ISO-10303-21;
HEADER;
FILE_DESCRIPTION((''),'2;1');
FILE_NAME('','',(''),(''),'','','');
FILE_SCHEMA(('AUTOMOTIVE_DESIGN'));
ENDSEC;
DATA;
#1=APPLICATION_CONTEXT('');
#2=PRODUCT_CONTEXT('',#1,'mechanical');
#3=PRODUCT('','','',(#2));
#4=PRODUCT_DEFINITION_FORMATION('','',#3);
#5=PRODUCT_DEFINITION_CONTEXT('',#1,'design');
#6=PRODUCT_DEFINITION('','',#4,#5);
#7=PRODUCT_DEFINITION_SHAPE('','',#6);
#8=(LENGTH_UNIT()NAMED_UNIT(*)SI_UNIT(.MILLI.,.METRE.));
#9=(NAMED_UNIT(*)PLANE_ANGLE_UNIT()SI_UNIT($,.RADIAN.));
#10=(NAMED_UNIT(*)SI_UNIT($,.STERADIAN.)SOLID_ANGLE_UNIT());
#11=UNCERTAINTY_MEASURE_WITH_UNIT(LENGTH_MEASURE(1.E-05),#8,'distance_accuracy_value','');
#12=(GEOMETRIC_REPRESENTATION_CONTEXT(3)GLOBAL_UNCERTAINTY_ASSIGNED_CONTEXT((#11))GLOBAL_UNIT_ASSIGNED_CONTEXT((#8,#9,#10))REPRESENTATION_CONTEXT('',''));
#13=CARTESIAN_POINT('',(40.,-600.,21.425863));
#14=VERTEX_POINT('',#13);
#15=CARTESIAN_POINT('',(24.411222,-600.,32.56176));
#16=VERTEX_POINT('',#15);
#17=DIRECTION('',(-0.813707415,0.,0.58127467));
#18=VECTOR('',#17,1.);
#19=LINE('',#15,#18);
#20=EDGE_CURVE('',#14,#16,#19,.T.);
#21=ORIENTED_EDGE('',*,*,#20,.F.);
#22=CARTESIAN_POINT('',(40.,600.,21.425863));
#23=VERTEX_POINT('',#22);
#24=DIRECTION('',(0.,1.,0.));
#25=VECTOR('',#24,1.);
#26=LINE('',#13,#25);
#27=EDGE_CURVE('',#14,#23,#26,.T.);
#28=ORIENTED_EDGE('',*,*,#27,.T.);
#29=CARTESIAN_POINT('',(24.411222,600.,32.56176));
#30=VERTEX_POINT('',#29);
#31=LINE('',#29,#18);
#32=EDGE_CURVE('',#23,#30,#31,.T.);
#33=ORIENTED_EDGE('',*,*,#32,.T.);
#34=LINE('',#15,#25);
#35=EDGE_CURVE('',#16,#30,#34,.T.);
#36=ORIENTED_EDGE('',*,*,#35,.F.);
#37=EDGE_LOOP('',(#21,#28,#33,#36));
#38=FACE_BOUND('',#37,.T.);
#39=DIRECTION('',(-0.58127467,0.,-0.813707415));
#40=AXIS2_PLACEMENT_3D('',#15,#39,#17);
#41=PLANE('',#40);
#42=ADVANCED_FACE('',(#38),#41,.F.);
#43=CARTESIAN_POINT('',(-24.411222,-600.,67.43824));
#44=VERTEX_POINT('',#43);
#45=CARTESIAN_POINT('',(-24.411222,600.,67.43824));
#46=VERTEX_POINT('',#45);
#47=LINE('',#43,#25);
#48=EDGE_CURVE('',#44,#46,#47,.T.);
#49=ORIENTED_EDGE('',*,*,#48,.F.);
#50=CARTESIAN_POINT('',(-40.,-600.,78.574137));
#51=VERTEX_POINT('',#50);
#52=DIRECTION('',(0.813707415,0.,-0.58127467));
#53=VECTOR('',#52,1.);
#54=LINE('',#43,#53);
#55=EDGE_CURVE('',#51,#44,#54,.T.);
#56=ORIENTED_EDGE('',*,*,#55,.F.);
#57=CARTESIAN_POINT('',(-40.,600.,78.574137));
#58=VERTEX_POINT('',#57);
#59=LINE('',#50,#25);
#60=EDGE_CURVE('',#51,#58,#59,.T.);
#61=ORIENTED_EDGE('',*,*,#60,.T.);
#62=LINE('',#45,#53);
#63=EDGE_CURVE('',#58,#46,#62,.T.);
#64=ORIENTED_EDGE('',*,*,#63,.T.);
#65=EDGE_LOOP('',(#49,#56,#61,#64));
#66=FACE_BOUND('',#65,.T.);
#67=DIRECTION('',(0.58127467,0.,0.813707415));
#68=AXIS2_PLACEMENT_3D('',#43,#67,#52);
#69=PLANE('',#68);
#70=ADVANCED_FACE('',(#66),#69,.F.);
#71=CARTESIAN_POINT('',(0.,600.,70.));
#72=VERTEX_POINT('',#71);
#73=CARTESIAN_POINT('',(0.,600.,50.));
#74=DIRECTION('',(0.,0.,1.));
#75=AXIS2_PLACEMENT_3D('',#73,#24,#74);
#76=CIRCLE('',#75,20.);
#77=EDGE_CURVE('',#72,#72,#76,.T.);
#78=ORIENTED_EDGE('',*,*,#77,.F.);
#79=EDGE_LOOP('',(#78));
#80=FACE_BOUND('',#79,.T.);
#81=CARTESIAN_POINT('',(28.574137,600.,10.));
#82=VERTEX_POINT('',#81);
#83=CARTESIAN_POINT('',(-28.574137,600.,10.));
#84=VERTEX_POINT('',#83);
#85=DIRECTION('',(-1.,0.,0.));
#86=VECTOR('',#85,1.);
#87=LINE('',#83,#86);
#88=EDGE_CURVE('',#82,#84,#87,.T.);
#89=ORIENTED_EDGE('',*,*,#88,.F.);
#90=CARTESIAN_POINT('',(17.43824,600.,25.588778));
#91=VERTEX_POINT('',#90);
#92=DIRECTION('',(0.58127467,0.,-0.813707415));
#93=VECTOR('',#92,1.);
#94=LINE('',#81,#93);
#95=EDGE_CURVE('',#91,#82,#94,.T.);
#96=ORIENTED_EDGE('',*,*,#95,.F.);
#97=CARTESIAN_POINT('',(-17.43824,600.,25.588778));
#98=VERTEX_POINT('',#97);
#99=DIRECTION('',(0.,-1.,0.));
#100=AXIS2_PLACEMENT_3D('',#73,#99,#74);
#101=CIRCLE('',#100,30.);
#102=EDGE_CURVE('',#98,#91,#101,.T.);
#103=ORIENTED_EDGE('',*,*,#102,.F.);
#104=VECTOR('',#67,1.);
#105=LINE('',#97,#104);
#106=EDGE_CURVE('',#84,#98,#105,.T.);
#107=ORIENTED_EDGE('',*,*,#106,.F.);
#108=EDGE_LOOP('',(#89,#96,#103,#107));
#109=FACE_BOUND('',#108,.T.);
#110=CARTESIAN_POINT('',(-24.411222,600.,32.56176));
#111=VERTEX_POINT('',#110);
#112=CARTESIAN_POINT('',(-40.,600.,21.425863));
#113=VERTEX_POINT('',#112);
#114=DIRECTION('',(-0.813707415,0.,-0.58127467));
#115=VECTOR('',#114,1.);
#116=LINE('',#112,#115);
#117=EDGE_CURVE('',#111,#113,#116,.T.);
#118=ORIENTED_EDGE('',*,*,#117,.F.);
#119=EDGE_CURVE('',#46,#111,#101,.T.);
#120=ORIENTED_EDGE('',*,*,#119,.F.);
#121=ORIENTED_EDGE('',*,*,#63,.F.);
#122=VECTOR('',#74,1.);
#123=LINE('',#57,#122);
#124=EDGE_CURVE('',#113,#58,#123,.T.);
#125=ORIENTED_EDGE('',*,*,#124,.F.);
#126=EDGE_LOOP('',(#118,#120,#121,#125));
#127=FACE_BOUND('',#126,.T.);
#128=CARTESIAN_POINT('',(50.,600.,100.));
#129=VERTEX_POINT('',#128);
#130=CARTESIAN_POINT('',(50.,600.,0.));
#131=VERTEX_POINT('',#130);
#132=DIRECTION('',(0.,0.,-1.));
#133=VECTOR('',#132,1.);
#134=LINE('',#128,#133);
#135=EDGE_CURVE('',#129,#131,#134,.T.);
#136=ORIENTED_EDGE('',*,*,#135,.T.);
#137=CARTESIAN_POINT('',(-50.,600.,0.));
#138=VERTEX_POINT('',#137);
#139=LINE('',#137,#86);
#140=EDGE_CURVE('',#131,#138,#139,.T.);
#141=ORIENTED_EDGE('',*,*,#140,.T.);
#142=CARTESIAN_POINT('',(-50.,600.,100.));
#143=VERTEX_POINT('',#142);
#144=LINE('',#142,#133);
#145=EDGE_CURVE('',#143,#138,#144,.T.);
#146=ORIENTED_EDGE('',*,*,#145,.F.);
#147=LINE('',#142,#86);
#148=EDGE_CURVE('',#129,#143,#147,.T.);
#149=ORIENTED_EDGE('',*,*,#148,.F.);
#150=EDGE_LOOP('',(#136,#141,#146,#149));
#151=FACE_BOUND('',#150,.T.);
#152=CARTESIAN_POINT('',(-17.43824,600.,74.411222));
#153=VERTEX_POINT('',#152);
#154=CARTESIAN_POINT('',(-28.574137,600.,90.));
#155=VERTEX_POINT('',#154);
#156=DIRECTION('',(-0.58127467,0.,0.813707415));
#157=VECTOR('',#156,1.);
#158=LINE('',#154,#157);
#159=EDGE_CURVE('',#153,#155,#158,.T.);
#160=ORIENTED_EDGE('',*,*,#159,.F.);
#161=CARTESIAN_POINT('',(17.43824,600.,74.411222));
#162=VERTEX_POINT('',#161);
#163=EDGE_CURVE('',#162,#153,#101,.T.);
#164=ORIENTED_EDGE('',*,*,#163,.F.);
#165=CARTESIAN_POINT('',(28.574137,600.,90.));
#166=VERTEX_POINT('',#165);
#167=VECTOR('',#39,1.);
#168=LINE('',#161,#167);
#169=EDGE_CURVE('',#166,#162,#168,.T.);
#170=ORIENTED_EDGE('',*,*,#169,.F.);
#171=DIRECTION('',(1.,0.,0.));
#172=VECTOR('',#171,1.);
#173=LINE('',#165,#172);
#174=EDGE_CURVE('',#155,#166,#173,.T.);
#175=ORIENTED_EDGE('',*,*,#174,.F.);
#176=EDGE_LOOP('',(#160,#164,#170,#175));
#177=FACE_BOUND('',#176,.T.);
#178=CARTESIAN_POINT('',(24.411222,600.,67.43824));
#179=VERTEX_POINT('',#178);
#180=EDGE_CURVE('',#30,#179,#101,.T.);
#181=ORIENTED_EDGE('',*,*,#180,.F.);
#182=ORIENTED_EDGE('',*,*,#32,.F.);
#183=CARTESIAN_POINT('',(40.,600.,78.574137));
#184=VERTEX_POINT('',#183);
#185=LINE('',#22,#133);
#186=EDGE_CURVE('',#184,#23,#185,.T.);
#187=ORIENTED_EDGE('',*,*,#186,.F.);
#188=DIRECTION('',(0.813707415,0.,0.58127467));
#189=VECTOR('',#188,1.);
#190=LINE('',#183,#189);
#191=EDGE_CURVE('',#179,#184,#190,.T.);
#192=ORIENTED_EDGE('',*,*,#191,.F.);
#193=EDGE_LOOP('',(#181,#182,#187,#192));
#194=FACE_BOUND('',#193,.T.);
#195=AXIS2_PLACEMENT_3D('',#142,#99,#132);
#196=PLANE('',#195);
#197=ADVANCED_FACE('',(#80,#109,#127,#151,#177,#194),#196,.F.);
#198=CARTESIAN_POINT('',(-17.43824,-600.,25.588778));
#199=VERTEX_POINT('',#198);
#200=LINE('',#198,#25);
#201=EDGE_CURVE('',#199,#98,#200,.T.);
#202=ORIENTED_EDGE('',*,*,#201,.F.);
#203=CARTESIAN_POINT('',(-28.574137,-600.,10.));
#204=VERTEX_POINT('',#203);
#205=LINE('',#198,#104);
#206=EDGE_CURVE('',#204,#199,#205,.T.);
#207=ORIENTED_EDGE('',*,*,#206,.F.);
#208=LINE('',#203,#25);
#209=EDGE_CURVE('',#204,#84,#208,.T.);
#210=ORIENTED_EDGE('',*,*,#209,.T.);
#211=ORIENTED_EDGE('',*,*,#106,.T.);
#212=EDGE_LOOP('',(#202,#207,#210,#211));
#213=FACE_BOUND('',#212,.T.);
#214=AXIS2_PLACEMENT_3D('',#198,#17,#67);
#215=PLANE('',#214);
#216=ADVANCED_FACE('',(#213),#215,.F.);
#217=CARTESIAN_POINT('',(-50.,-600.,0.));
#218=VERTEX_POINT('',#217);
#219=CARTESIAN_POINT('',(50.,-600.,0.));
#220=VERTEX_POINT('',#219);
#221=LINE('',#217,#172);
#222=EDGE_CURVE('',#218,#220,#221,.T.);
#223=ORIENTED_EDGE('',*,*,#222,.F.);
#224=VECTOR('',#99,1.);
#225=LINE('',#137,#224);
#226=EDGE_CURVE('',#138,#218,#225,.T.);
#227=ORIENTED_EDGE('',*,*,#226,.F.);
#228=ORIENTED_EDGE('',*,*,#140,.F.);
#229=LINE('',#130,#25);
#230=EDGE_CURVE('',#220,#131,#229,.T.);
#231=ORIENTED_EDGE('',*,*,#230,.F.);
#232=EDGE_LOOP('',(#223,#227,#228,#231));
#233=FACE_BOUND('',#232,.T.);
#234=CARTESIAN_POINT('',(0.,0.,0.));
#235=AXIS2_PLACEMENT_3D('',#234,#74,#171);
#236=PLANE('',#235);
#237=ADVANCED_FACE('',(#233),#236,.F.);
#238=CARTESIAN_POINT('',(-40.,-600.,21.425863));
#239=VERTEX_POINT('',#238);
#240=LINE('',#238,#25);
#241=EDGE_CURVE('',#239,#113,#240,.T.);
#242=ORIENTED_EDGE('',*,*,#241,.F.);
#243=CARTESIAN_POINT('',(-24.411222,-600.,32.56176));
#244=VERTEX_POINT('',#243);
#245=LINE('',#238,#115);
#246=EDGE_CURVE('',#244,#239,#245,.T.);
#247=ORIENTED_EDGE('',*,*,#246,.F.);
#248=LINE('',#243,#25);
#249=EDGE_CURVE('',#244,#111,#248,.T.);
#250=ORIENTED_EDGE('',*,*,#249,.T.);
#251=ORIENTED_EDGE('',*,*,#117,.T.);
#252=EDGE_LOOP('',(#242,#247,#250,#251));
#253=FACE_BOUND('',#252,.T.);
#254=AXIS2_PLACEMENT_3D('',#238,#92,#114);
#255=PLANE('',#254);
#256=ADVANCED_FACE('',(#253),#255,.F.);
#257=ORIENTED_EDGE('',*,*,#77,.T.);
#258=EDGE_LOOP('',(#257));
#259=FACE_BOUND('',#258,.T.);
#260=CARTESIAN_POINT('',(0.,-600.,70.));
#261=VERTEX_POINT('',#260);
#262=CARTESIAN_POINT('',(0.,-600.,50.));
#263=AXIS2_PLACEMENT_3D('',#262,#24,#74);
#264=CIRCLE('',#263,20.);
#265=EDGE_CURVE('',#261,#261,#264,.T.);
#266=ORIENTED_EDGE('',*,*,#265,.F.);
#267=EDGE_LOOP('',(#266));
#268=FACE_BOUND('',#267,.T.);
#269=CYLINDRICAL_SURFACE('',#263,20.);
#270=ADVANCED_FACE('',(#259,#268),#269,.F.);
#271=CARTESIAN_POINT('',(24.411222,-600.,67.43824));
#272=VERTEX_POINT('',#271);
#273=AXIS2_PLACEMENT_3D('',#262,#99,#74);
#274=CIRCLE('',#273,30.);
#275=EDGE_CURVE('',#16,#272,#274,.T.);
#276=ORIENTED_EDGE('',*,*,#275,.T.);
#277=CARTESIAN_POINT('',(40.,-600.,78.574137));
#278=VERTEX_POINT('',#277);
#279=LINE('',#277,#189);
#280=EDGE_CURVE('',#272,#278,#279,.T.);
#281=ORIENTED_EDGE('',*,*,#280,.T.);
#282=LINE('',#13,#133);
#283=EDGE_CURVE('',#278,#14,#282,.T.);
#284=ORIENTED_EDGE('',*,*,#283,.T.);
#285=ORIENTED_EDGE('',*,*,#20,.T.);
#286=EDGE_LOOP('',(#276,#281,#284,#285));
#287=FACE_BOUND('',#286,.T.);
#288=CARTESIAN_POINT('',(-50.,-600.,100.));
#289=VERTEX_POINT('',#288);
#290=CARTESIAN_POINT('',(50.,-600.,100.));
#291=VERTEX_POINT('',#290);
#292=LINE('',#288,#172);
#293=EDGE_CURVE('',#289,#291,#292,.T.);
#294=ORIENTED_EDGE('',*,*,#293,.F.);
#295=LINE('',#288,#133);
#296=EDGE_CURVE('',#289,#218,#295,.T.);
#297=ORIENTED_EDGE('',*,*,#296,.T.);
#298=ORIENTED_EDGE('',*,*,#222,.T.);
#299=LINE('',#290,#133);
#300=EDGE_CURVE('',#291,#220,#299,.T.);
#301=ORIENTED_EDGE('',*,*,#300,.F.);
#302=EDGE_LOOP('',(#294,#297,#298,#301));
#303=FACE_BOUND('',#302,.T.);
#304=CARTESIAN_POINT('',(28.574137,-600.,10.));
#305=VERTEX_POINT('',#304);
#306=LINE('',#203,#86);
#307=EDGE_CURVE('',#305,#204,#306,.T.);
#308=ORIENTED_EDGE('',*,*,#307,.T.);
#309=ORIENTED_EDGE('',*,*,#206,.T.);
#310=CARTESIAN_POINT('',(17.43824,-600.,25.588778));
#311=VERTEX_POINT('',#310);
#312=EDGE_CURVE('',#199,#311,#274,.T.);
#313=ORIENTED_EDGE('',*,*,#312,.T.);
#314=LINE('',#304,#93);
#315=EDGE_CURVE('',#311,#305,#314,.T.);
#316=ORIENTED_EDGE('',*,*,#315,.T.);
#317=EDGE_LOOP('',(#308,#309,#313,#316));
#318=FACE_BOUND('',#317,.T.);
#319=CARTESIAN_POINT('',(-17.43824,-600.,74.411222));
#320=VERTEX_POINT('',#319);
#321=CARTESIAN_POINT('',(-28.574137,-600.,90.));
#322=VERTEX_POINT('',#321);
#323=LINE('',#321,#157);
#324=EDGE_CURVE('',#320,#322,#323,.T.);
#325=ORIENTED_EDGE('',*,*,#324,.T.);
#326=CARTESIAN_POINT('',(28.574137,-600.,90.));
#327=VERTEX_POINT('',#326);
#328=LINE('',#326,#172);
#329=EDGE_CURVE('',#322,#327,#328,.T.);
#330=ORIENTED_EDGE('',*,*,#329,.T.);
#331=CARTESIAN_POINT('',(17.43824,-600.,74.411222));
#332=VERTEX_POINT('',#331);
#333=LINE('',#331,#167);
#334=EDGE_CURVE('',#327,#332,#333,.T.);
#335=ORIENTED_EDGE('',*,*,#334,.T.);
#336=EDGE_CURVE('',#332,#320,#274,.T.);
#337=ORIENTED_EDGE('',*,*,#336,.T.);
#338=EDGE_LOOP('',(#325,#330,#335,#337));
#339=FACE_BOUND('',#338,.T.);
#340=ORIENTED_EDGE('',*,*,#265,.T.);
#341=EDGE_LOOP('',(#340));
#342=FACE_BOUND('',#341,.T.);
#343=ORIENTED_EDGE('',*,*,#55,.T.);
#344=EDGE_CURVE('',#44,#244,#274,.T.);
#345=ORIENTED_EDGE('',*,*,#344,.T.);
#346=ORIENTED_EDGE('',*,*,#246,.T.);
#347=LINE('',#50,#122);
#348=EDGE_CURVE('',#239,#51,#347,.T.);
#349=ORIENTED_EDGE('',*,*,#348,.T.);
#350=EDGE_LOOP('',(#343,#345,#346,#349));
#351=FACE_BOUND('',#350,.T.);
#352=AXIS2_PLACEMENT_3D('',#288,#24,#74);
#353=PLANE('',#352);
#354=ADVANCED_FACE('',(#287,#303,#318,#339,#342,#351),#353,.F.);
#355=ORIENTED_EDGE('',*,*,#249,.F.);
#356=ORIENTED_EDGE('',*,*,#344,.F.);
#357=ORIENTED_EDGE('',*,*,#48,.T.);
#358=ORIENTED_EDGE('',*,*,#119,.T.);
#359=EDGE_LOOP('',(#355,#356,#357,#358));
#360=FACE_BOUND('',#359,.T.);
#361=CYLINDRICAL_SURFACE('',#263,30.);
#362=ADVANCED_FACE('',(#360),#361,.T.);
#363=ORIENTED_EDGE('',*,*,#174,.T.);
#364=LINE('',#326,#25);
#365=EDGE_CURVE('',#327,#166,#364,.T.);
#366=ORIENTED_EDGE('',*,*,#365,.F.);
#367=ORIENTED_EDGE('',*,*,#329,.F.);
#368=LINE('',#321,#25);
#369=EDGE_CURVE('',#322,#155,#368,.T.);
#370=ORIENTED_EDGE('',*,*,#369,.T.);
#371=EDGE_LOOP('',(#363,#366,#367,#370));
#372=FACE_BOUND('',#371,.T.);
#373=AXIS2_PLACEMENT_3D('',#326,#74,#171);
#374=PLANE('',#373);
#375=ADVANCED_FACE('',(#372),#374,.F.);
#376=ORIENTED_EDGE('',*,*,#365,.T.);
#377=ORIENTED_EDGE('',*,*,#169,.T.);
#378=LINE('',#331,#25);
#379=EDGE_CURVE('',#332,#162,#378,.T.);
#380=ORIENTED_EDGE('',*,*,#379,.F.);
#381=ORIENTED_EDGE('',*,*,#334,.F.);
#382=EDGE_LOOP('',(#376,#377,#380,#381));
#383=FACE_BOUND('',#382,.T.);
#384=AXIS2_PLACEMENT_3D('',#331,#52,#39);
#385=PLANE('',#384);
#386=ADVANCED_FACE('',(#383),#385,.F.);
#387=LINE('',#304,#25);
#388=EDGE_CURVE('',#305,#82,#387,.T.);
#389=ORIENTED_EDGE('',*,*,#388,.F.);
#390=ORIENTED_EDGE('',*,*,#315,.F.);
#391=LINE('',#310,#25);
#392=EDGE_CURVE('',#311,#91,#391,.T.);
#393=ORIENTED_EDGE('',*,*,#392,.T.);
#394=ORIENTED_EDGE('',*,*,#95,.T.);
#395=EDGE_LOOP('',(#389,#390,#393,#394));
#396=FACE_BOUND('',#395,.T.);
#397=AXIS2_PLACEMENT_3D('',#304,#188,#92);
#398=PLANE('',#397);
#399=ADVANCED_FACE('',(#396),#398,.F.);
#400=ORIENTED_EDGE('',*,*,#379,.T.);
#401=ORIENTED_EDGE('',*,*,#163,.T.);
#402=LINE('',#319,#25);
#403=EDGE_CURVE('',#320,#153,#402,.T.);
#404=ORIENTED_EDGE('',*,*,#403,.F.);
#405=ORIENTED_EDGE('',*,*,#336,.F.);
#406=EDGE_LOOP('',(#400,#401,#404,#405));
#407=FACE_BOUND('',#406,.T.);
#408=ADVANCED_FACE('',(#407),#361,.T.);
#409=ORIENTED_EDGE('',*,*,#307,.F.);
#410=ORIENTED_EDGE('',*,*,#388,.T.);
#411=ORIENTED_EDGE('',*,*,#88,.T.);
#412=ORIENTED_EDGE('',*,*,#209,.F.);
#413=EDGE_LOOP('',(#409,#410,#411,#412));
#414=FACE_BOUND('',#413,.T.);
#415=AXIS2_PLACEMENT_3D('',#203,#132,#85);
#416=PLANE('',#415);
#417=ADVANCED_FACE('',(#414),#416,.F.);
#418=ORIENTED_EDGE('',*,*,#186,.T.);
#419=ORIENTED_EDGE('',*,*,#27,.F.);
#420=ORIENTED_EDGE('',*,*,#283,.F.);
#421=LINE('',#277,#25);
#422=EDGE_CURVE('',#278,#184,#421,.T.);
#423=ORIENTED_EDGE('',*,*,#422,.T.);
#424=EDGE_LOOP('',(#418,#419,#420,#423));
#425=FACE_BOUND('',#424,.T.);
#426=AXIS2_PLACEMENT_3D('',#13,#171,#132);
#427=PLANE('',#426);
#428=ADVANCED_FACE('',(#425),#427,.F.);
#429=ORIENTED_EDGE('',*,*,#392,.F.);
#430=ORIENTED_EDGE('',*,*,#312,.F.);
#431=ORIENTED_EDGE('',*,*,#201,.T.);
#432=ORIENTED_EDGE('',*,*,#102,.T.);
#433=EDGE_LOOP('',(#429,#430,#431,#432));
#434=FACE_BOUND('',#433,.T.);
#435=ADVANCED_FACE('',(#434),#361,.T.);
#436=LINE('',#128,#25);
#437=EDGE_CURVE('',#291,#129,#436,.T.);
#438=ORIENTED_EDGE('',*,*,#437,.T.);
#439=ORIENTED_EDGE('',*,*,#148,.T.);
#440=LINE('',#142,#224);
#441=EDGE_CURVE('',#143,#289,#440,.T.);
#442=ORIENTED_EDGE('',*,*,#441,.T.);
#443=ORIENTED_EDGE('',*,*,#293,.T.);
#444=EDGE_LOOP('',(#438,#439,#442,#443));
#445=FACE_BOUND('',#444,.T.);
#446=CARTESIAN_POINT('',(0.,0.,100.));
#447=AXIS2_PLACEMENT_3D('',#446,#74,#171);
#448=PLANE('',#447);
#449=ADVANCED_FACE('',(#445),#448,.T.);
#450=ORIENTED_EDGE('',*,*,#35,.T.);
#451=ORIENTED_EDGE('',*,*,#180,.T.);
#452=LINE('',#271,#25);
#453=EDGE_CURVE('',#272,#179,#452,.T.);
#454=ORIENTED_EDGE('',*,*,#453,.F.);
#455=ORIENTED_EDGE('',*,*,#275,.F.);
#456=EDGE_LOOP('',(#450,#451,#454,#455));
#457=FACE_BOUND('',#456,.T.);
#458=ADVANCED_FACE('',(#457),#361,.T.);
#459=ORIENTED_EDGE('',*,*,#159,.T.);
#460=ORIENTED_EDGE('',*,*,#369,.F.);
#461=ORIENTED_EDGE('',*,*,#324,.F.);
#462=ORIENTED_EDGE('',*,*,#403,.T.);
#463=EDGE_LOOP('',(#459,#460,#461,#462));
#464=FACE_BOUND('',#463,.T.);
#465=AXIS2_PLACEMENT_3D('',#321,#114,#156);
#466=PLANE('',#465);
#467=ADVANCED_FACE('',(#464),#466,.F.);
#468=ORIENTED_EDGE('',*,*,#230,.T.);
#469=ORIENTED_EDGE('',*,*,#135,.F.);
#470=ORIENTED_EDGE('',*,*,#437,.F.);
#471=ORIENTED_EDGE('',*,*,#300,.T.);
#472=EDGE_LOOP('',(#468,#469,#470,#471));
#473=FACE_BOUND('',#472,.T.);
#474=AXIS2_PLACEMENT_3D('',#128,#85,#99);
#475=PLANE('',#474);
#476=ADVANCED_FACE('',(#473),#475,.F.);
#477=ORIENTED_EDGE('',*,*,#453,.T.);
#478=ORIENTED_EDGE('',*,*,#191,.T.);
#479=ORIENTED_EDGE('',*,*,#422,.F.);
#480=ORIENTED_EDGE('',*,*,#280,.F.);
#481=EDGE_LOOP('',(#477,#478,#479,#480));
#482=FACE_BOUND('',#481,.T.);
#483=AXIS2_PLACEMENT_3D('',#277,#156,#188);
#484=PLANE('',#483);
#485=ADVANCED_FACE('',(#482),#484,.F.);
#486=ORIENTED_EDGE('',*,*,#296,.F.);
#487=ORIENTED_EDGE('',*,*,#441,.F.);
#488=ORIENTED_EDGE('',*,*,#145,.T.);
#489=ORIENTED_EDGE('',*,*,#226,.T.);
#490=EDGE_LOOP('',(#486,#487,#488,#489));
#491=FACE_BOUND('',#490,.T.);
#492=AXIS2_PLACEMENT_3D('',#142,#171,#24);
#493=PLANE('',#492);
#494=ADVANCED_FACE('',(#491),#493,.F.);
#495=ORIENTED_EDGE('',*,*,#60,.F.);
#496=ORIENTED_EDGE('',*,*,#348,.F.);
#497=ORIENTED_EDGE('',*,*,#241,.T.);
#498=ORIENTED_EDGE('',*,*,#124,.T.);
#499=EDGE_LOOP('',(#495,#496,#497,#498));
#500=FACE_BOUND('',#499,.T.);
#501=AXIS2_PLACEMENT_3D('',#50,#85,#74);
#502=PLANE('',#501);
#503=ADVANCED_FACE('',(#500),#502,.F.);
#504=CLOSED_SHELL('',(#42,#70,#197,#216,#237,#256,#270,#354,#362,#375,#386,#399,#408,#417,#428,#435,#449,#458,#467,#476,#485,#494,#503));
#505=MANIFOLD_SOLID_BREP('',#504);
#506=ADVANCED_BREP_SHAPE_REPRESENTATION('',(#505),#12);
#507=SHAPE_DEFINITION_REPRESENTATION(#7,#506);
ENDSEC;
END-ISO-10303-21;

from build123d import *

# Parameters (mm, degrees)
SKETCH1_W           = 100
SKETCH1_H           = 1200
BOSS_EXTRUDE1_DEPTH = 100
SKETCH3_R           = 20
CUT_EXTRUDE1_DEPTH  = 1206.197079319


with BuildPart() as part:
    # Sketch1 → Boss-Extrude1 (new body)
    with BuildSketch(Plane.XY):
        Rectangle(SKETCH1_W, SKETCH1_H)
    extrude(amount=BOSS_EXTRUDE1_DEPTH)

    # Sketch3 → Cut-Extrude1 (cut, through all)
    with BuildSketch(Plane(origin=(0, 600, 0), x_dir=(1, 0, 0), z_dir=(0, 1, 0))):
        with Locations(Location((0, -50, 0), (0, 0, 270))):
            Circle(SKETCH3_R)
        with BuildLine():
            Line((-24.411222461, -67.438240105), (-40, -78.57413656))
            Line((-40, -78.57413656), (-40, -21.42586344))
            Line((-40, -21.42586344), (-24.411222461, -32.561759895))
            ThreePointArc((-24.411222461, -32.561759895), (-30, -50), (-24.411222461, -67.438240105))
        make_face()
        with BuildLine():
            Line((-17.438240105, -25.588777539), (-28.57413656, -10))
            Line((-28.57413656, -10), (28.57413656, -10))
            Line((28.57413656, -10), (17.438240105, -25.588777539))
            ThreePointArc((17.438240105, -25.588777539), (0, -20), (-17.438240105, -25.588777539))
        make_face()
        with BuildLine():
            Line((24.411222461, -32.561759895), (40, -21.42586344))
            Line((40, -21.42586344), (40, -78.57413656))
            Line((40, -78.57413656), (24.411222461, -67.438240105))
            ThreePointArc((24.411222461, -67.438240105), (30, -50), (24.411222461, -32.561759895))
        make_face()
        with BuildLine():
            Line((17.438240105, -74.411222461), (28.57413656, -90))
            Line((28.57413656, -90), (-28.57413656, -90))
            Line((-28.57413656, -90), (-17.438240105, -74.411222461))
            ThreePointArc((-17.438240105, -74.411222461), (0, -80), (17.438240105, -74.411222461))
        make_face()
    extrude(amount=-CUT_EXTRUDE1_DEPTH, mode=Mode.SUBTRACT)


solid = part.part
